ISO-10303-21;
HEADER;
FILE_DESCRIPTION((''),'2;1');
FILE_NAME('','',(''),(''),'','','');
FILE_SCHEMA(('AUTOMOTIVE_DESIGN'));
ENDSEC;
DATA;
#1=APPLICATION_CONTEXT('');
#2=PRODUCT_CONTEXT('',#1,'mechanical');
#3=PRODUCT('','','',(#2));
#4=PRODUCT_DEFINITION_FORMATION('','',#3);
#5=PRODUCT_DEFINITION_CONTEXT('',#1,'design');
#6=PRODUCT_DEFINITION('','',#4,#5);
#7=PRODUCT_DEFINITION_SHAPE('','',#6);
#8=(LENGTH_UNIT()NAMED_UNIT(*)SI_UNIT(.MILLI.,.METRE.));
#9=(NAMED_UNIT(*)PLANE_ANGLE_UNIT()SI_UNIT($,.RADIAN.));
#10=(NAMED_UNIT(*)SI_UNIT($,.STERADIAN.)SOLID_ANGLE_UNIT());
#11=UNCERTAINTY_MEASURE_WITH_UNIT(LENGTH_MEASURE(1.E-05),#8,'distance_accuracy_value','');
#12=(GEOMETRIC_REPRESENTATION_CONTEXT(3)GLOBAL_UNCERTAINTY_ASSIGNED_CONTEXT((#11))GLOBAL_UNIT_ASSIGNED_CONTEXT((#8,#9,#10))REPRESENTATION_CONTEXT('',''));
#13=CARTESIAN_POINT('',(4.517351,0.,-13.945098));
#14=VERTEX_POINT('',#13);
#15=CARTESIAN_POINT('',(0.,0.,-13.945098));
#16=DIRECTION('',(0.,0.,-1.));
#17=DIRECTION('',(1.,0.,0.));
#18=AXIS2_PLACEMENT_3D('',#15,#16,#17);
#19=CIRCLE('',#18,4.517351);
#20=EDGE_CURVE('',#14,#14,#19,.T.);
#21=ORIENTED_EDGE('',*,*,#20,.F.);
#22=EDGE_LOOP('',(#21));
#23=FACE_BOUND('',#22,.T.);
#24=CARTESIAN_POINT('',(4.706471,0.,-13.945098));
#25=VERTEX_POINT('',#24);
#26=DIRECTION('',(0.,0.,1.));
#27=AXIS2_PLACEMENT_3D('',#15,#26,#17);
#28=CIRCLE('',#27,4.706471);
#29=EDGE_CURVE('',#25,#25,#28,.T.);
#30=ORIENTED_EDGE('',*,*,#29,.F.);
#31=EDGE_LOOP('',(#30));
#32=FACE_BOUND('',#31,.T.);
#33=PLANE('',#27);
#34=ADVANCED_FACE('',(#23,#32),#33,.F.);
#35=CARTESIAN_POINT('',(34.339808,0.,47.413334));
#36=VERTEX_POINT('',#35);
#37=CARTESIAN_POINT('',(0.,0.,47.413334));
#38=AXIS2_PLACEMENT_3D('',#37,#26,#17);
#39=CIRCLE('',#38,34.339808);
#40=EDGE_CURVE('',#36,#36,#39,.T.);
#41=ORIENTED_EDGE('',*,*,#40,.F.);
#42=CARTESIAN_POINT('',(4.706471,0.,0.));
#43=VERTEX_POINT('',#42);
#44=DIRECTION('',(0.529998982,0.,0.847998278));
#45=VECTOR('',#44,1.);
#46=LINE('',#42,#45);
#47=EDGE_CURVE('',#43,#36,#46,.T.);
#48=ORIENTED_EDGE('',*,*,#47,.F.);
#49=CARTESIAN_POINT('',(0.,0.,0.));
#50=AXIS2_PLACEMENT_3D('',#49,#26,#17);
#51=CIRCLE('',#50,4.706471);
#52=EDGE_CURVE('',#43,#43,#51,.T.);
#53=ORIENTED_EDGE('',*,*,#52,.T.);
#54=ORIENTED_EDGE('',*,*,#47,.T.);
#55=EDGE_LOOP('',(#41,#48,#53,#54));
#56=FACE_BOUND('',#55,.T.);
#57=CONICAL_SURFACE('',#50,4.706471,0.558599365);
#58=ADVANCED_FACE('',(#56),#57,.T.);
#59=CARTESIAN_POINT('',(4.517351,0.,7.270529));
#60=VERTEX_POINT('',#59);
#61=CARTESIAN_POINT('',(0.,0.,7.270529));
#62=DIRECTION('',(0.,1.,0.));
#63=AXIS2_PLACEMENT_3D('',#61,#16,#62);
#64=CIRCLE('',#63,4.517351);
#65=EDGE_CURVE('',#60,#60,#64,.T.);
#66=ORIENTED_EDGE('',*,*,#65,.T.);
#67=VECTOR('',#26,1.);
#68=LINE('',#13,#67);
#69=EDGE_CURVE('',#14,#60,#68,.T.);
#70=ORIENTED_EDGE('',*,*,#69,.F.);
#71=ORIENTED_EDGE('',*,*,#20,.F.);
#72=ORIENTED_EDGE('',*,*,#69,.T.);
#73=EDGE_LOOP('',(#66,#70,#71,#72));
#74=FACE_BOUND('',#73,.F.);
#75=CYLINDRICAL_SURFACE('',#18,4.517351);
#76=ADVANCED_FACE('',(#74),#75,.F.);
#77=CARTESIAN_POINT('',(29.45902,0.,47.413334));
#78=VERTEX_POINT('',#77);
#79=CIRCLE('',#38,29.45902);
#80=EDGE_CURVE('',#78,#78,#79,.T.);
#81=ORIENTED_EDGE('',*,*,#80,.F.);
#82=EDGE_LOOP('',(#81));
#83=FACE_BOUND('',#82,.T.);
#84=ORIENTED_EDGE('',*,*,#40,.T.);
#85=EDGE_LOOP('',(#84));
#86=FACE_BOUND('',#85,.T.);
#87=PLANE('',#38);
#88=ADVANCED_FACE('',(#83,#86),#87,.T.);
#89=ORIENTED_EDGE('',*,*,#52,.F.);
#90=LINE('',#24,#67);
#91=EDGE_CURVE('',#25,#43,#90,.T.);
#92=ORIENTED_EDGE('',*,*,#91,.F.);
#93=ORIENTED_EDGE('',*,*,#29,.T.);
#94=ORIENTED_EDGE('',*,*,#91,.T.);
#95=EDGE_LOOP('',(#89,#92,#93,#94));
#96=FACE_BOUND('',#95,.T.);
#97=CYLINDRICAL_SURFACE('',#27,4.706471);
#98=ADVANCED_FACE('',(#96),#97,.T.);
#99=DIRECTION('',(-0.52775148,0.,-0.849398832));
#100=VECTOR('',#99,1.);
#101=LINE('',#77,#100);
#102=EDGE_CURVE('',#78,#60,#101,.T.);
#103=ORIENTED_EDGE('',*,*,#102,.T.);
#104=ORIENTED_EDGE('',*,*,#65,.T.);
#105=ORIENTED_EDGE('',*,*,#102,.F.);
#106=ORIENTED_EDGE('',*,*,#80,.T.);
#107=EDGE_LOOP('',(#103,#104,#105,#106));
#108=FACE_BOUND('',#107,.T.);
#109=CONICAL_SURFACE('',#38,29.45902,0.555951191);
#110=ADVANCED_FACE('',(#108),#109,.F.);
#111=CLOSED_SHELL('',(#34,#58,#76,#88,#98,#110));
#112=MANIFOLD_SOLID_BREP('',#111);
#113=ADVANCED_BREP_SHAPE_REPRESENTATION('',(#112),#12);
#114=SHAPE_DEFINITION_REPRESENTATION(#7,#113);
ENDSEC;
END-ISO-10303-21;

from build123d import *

# Parameters (mm, degrees)
F2_R     = 4.517351
F3_DEPTH = 25.4


with BuildPart() as f1:
    # F0 (on Front) → F1 (revolve)
    with BuildSketch(Plane.XZ):
        Polygon((0, 0), (0, -13.945098), (4.706471, -13.945098), (4.706471, 0), (34.339808, 47.413334), (29.45902, 47.413334), align=None)
    revolve(axis=Axis((0, 0, -6.972549), (0, 0, 1)))

    # F2 (on face) → F3 (cut)
    with BuildSketch(Plane(origin=(0, 0, -13.945098), x_dir=(1, 0, 0), z_dir=(0, 0, -1))):
        Circle(F2_R)
    extrude(amount=-F3_DEPTH, mode=Mode.SUBTRACT)


solid = f1.part
